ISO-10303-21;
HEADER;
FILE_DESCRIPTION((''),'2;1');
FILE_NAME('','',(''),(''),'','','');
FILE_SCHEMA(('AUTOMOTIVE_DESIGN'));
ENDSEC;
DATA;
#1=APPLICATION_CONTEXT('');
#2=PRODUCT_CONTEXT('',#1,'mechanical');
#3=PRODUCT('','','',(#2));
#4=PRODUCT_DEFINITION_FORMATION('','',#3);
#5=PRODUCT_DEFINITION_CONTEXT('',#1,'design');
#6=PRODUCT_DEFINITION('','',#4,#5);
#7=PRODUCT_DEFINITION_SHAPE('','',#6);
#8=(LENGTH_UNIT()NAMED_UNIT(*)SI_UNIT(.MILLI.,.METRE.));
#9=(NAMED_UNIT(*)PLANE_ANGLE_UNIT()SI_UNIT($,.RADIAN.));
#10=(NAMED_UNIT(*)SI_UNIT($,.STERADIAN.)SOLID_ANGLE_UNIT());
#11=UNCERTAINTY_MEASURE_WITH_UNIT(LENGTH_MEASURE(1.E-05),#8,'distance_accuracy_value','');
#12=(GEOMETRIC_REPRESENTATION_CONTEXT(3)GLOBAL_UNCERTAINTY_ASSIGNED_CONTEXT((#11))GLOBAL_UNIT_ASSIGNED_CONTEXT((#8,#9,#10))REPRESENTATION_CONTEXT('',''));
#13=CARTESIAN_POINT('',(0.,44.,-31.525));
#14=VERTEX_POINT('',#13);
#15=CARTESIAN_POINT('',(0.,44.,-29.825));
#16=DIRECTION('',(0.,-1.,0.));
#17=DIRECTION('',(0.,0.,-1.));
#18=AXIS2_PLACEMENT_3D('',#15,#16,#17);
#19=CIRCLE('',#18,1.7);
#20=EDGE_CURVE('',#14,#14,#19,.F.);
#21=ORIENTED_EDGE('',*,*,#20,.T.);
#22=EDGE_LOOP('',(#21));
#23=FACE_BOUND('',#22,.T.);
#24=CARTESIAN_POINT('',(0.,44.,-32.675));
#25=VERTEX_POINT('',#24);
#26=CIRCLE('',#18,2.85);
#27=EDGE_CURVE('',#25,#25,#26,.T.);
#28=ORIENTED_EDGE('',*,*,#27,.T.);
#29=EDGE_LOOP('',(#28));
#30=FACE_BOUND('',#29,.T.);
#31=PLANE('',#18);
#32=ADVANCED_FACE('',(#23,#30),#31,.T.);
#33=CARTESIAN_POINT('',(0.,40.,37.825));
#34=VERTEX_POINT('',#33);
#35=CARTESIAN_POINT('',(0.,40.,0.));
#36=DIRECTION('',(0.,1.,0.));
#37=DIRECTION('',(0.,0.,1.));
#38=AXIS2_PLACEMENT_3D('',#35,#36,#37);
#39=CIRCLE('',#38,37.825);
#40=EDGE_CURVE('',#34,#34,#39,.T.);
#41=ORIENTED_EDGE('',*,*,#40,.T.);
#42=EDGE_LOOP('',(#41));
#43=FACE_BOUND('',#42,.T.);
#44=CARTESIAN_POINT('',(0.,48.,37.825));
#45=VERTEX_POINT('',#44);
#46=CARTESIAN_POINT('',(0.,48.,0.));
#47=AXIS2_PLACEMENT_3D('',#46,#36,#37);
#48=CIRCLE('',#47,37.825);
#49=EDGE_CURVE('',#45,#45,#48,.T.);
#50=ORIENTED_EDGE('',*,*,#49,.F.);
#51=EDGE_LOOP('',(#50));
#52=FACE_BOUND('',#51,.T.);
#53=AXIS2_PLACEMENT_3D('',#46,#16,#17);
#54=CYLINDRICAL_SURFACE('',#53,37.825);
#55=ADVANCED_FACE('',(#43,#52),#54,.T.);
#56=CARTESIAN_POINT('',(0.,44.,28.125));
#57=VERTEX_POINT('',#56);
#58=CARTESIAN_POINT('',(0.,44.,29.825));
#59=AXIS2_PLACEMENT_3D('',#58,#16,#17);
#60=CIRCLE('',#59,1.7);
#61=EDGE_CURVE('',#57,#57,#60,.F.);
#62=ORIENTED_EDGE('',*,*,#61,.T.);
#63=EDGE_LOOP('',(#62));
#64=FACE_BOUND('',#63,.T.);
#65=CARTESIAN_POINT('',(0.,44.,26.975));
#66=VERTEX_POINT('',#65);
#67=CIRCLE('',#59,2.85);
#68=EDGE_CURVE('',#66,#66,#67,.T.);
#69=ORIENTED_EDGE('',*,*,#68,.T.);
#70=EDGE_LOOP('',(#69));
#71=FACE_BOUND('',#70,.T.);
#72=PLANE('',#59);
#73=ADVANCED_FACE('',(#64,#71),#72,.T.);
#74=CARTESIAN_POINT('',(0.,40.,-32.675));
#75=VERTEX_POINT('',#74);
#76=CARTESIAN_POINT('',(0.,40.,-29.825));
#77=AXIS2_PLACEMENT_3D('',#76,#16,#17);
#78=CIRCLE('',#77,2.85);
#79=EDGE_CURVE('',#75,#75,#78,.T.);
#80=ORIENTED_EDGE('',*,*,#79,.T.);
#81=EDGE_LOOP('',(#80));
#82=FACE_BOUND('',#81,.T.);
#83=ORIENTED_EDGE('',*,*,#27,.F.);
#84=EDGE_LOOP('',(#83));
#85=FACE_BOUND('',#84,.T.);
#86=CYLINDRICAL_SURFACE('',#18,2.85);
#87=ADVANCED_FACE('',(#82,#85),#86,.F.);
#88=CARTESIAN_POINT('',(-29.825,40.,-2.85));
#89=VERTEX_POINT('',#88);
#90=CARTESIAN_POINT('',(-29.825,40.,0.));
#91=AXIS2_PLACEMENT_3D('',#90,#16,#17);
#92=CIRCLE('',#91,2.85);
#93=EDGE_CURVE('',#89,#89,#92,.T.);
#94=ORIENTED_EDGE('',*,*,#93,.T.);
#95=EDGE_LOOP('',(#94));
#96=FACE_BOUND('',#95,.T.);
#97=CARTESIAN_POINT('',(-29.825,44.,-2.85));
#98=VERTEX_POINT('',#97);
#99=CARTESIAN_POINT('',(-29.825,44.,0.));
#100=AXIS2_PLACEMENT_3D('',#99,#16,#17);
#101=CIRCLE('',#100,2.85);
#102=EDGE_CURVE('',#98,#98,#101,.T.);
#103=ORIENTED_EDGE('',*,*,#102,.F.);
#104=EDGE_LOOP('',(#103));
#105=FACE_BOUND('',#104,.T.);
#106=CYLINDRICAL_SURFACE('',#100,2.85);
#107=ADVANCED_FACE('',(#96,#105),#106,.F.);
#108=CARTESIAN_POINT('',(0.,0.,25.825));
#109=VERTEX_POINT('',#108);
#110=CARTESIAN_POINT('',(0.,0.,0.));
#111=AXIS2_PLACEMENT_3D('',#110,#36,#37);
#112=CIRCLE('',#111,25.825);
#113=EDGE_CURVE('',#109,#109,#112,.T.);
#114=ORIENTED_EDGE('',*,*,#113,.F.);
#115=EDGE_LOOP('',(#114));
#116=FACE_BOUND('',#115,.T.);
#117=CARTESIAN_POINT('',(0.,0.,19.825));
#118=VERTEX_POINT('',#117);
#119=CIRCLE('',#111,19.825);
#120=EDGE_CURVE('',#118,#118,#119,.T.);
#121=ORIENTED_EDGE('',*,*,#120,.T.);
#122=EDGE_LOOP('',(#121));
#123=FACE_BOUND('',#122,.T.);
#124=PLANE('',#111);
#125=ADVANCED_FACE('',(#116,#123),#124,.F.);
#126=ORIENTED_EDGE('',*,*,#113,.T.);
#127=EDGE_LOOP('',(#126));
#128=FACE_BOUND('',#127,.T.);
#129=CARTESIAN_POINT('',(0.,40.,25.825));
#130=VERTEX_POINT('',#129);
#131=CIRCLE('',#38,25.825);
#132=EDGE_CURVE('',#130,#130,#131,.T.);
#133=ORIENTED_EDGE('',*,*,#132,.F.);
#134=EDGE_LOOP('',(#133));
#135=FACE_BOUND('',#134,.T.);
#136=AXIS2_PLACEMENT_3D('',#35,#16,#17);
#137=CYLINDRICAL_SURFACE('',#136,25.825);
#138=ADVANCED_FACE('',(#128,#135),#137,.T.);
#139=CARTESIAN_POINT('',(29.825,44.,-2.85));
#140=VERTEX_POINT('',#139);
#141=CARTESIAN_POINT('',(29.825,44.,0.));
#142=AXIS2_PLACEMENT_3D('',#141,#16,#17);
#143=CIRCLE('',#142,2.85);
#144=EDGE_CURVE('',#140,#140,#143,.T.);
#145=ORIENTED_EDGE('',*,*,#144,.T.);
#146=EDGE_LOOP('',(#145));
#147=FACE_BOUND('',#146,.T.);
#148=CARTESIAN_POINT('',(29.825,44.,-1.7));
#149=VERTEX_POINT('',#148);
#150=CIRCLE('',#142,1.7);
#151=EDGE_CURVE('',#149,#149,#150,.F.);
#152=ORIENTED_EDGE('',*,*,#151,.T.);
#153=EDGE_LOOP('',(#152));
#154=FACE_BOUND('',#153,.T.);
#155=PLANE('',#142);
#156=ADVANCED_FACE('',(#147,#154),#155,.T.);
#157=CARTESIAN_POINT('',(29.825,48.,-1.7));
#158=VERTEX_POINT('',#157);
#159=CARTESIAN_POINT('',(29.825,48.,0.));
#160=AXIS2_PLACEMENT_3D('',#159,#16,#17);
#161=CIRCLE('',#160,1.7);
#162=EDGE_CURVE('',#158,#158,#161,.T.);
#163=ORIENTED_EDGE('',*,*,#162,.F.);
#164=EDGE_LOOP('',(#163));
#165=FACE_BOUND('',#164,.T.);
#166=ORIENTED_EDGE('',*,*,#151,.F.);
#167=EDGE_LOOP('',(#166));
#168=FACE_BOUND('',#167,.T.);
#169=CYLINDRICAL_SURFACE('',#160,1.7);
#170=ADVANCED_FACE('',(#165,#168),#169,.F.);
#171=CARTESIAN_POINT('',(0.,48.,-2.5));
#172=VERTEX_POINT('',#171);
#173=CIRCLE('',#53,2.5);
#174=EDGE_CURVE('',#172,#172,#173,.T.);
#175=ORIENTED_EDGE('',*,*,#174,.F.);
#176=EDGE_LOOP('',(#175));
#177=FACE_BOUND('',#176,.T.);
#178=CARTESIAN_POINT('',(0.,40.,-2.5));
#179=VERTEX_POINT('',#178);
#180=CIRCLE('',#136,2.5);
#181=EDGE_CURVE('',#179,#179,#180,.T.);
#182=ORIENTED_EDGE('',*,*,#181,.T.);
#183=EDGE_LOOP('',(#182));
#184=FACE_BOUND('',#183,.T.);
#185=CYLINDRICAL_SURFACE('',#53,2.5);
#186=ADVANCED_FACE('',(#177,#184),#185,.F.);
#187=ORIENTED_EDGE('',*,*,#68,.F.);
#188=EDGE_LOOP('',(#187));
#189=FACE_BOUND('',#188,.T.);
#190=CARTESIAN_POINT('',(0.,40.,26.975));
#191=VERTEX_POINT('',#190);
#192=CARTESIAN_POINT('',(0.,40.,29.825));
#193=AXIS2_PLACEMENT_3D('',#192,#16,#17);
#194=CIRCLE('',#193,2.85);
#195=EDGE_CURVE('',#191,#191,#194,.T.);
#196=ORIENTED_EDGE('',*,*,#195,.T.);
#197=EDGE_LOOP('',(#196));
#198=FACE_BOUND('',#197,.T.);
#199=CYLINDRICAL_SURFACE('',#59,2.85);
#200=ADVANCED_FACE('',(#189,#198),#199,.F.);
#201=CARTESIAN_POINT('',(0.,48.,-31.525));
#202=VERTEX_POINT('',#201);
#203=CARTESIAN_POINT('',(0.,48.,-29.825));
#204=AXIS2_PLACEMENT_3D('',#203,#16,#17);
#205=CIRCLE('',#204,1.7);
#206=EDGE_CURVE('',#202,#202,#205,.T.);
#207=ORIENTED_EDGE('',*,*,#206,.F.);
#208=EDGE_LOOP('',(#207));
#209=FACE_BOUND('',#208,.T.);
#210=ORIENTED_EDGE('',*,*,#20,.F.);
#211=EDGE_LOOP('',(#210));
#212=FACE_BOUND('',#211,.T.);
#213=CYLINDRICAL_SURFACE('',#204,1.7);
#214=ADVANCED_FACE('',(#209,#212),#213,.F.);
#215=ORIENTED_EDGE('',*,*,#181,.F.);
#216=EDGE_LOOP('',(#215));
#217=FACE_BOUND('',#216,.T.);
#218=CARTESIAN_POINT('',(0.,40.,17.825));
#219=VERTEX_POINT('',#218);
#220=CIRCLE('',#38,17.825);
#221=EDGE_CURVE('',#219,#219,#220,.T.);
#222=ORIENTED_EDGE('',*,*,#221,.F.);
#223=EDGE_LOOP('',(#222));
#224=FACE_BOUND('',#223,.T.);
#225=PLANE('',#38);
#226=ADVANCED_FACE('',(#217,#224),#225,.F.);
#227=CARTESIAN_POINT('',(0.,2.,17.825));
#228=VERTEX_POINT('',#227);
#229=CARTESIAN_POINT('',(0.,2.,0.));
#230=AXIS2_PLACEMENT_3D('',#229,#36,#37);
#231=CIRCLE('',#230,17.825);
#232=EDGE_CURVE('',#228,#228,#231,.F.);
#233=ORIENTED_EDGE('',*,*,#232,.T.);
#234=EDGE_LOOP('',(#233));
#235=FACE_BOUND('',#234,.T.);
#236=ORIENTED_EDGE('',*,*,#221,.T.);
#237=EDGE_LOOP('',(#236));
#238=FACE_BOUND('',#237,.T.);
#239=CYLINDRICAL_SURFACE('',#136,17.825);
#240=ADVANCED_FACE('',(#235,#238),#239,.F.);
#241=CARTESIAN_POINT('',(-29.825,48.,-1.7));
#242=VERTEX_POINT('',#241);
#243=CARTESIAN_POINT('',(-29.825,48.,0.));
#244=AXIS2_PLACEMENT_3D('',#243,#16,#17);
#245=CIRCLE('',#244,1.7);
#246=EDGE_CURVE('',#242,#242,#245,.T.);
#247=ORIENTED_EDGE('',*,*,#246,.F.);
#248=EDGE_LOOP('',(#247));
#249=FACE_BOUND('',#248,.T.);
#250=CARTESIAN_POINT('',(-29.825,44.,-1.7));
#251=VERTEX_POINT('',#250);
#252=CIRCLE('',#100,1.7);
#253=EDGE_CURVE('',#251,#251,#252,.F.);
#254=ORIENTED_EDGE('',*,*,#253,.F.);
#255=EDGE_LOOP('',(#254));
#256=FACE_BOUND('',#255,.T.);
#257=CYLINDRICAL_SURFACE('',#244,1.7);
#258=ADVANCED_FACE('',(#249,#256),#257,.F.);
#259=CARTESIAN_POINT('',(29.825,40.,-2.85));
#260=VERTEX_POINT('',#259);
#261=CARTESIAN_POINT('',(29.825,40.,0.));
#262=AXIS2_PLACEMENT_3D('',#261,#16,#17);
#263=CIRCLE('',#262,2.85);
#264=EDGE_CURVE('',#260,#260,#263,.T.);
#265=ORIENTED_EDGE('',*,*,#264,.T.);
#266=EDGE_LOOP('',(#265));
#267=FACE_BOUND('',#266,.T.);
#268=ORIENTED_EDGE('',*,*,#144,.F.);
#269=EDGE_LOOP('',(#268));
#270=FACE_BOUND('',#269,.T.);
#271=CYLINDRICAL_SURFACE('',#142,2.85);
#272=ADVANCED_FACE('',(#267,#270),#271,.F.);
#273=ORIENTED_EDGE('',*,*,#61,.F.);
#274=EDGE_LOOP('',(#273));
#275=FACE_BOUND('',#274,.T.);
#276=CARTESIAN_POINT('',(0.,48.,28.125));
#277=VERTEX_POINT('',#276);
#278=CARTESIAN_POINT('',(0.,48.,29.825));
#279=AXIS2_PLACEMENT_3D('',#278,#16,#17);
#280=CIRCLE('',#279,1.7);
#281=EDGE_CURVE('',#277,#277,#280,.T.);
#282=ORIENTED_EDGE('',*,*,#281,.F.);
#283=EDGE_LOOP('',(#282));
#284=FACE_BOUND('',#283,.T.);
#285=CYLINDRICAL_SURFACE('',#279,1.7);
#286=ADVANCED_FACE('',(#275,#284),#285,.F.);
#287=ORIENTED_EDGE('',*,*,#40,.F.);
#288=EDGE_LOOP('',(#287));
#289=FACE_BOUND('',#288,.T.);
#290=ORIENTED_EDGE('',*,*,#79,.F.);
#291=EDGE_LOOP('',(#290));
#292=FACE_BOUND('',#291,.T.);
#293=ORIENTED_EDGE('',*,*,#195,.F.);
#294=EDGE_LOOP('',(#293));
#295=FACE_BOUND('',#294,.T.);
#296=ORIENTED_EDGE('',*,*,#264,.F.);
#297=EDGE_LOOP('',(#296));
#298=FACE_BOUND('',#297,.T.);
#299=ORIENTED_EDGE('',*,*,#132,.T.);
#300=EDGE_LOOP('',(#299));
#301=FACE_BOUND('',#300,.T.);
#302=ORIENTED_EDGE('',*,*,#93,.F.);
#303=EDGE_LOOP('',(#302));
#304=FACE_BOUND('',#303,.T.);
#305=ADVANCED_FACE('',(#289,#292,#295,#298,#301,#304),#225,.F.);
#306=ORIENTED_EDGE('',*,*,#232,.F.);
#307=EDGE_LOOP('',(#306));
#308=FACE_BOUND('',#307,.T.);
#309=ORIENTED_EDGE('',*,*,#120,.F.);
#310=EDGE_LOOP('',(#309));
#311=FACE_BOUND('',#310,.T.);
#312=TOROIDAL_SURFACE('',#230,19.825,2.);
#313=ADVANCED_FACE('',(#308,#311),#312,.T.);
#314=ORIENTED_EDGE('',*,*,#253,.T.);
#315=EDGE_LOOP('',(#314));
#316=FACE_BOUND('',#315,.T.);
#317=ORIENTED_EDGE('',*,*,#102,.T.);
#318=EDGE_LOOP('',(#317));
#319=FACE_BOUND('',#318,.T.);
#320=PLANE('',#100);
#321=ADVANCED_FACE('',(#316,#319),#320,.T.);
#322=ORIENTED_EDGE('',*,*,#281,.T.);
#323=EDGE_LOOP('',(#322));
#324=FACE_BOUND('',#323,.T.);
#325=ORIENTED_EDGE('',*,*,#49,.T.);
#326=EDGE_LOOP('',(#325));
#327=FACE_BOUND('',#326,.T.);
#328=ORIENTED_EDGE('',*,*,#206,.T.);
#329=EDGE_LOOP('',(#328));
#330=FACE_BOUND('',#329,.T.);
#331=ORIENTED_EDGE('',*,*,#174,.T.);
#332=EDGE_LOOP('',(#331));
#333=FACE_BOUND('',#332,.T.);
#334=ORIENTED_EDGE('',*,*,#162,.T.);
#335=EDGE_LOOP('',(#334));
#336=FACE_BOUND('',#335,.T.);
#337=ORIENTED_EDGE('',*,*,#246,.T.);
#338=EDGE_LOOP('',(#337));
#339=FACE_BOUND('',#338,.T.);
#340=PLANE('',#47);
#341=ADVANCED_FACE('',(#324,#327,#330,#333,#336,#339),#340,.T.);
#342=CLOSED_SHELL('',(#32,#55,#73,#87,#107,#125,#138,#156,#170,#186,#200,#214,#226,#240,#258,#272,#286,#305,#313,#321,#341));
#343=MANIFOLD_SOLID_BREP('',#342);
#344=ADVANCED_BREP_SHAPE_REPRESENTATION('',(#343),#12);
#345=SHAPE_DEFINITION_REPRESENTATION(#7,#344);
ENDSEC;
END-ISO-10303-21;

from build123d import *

# Parameters (mm, degrees)
SKETCH1_R           = 25.825
SKETCH1_R_2         = 17.825
BOSS_EXTRUDE1_DEPTH = 40
SKETCH2_R           = 37.825
BOSS_EXTRUDE2_DEPTH = 8
SKETCH4_R           = 1.7
CUT_EXTRUDE2_DEPTH  = 9
SKETCH5_R           = 2.85
CUT_EXTRUDE3_DEPTH  = 4
FILLET1_R           = 2
SKETCH6_R           = 2.5
CUT_EXTRUDE4_DEPTH  = 9


with BuildPart() as part:
    # Sketch1 → Boss-Extrude1 (new body)
    with BuildSketch(Plane(origin=(0, 0, 0), x_dir=(1, 0, 0), z_dir=(0, 1, 0))):
        Circle(SKETCH1_R)
        Circle(SKETCH1_R_2, mode=Mode.SUBTRACT)
    extrude(amount=BOSS_EXTRUDE1_DEPTH)

    # Sketch2 → Boss-Extrude2 (add)
    with BuildSketch(Plane(origin=(0, 40, 0), x_dir=(1, 0, 0), z_dir=(0, 1, 0))):
        Circle(SKETCH2_R)
    extrude(amount=BOSS_EXTRUDE2_DEPTH)

    # Sketch4 → Cut-Extrude2 (cut, through all)
    with BuildSketch(Plane.XZ.offset(-40)):
        with Locations((0, 29.825)):
            Circle(SKETCH4_R)
        with Locations((29.825, 0)):
            Circle(SKETCH4_R)
        with Locations((0, -29.825)):
            Circle(SKETCH4_R)
        with Locations((-29.825, 0)):
            Circle(SKETCH4_R)
    extrude(amount=-CUT_EXTRUDE2_DEPTH, mode=Mode.SUBTRACT)

    # Sketch5 → Cut-Extrude3 (cut)
    with BuildSketch(Plane.XZ.offset(-40)):
        with Locations((0, 29.825)):
            Circle(SKETCH5_R)
        with Locations((29.825, 0)):
            Circle(SKETCH5_R)
        with Locations((0, -29.825)):
            Circle(SKETCH5_R)
        with Locations((-29.825, 0)):
            Circle(SKETCH5_R)
    extrude(amount=-CUT_EXTRUDE3_DEPTH, mode=Mode.SUBTRACT)

    # Fillet1
    fillet1_edges = [part.edges().sort_by_distance(p)[0] for p in [
        (-17.825, 0, 0),
    ]]
    fillet(fillet1_edges, radius=FILLET1_R)

    # Sketch6 → Cut-Extrude4 (cut, through all)
    with BuildSketch(Plane.XZ.offset(-40)):
        Circle(SKETCH6_R)
    extrude(amount=-CUT_EXTRUDE4_DEPTH, mode=Mode.SUBTRACT)


solid = part.part
